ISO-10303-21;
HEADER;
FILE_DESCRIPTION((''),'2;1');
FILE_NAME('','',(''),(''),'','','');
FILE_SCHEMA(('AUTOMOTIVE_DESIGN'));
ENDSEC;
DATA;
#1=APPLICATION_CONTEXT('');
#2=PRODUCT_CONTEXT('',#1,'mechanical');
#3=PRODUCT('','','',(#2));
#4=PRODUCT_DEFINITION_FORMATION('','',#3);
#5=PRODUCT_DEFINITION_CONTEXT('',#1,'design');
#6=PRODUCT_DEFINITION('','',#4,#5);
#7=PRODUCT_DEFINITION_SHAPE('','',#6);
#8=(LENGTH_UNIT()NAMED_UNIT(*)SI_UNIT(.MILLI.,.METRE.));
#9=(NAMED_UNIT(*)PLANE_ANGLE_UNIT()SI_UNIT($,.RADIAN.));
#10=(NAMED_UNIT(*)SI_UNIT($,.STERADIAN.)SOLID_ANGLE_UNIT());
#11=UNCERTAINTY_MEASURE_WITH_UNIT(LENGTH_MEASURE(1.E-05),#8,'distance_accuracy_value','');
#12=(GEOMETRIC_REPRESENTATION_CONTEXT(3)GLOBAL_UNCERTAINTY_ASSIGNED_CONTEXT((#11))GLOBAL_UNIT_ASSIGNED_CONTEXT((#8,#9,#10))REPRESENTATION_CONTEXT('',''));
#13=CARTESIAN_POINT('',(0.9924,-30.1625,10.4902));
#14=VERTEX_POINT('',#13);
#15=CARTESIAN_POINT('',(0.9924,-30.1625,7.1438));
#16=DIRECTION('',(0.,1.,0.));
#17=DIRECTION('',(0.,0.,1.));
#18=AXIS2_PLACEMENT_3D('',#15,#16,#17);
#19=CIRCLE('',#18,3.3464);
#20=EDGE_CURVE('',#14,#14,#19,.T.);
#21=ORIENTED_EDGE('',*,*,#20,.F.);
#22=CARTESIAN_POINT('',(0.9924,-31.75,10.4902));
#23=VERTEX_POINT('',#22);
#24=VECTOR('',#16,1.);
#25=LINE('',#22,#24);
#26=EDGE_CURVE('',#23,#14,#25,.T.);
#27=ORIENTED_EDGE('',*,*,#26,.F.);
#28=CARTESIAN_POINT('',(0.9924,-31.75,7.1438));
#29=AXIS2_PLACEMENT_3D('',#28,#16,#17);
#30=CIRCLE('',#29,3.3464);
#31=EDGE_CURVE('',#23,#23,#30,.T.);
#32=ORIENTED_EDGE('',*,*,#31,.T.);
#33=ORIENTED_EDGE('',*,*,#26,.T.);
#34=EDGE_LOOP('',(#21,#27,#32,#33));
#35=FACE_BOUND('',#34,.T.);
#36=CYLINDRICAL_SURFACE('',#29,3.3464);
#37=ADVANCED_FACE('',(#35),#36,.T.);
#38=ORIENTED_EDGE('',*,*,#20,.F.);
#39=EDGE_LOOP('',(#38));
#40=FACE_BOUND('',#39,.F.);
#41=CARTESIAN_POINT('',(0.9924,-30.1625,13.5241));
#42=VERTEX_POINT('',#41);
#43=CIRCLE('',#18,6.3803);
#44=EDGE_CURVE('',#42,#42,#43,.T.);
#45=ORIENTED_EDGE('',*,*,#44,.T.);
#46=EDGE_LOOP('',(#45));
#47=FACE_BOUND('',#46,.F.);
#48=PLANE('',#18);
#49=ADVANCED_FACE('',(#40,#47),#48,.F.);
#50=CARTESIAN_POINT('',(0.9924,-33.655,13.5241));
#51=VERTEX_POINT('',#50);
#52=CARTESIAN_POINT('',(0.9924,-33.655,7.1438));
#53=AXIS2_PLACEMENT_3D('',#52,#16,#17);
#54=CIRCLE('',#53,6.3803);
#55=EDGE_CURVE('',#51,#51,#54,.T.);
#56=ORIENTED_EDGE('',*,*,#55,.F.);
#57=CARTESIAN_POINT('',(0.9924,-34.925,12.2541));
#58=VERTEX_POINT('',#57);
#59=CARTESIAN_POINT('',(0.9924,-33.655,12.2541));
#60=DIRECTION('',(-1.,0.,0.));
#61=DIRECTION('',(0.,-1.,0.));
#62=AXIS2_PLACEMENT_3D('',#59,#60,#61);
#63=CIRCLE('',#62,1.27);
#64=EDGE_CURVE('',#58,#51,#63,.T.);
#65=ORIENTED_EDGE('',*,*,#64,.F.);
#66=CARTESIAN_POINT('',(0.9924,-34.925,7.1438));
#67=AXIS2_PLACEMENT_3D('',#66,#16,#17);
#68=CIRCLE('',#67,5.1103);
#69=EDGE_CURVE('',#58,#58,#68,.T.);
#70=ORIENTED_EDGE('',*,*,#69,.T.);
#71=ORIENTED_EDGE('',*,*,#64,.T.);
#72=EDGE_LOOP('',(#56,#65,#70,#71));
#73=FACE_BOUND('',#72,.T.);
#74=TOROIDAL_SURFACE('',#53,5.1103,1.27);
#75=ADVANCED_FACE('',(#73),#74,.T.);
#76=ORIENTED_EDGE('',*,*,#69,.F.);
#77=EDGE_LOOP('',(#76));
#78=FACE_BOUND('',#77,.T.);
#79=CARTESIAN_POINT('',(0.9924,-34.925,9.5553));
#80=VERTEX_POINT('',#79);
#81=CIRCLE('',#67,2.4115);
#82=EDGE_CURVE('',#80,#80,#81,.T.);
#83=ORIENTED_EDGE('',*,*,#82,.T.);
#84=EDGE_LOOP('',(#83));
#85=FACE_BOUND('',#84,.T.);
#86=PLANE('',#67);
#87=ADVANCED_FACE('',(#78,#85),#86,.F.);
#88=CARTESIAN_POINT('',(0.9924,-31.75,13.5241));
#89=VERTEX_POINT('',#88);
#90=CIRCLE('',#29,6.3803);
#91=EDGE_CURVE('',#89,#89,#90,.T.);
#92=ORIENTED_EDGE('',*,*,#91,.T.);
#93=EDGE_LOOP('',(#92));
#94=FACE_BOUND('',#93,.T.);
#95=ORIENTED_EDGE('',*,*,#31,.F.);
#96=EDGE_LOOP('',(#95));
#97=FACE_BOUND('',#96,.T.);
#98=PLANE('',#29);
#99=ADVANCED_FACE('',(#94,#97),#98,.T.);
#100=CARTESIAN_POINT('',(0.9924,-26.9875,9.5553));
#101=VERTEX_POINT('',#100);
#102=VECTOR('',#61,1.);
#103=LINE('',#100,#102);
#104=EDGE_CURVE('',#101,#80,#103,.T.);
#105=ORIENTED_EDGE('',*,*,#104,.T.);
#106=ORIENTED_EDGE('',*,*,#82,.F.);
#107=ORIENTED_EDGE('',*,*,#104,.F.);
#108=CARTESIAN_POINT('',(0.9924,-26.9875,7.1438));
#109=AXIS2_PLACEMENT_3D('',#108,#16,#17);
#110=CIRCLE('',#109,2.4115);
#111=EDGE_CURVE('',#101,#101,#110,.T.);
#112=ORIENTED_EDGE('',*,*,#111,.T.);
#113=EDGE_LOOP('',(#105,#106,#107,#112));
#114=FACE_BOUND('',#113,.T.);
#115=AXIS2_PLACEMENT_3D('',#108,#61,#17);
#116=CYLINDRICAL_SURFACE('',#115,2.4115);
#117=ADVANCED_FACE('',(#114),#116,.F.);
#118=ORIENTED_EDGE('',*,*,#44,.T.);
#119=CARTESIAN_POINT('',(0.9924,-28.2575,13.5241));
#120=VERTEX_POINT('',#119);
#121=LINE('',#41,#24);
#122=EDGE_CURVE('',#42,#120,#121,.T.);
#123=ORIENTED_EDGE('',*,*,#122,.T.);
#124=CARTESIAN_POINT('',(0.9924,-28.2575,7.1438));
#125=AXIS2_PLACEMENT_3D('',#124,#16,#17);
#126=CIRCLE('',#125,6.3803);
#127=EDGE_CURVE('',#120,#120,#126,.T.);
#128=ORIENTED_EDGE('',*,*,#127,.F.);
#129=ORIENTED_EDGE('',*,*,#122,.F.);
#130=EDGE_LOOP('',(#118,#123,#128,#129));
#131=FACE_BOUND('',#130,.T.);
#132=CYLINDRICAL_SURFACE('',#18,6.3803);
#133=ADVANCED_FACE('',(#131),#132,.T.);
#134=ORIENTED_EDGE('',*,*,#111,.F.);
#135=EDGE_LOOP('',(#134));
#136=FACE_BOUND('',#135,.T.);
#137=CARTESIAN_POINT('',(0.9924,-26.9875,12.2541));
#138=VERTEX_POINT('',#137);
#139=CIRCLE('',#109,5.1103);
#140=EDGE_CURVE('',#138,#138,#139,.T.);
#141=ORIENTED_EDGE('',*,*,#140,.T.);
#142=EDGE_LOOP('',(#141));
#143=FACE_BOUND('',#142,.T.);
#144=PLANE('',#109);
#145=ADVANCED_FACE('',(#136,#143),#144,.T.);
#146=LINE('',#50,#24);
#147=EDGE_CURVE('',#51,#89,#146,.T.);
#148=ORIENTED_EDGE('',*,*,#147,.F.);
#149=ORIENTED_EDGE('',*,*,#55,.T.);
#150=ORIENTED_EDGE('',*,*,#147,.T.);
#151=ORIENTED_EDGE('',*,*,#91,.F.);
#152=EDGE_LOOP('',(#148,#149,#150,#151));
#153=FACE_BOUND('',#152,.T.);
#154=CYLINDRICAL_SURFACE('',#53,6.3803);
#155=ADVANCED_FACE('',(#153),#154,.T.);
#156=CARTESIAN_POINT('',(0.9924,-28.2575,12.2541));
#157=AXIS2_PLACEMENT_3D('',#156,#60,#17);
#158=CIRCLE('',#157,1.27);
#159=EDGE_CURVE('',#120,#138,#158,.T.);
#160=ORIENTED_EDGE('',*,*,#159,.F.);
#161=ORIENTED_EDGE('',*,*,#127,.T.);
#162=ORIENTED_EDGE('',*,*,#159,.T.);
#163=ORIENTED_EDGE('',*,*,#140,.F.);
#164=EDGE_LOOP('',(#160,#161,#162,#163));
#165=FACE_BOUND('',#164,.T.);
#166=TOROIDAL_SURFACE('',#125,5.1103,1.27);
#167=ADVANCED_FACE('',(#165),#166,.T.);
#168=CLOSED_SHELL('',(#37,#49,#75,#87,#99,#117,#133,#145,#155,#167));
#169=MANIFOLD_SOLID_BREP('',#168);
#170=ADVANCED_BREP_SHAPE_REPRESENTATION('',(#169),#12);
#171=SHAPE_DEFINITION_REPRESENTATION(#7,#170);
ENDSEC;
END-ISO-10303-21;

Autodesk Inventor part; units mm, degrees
ref_plane "YZ Plane" through (0, 0, 0) normal (1, 0, 0) x (0, 1, 0)
ref_plane "XZ Plane" through (0, 0, 0) normal (0, 1, 0) x (-1, 0, 0)
ref_plane "Work Plane2" through (0.9924, -30.1625, 6.35) normal (-1, 0, 0) x (0, -1, 0)
sketch "Sketch2" plane through (0.9924, -30.1625, 6.35) normal (-1, 0, 0) x (0, -1, 0)
  line L0 (0, -5.5563) -> (0, 3.175) projected
  line L1 (1.5875, -7.1437) -> (1.5875, 3.175) projected
  line L2 (0, 7.1741) -> (-1.905, 7.1741)
  line L3 (-3.175, 5.9041) -> (-3.175, 3.2053)
  arc A0 (-1.905, 7.1741) -> (-3.175, 5.9041) centre (-1.905, 5.9041) ccw
  line L4 (12.0631, 0.7938) -> (-37.2001, 0.7938) projected
  line L5 (-3.175, 3.2053) -> (4.7625, 3.2053)
  line L6 (4.7625, 3.2053) -> (4.7625, 5.9041)
  line L7 (3.4925, 7.1741) -> (1.5875, 7.1741)
  arc A1 (4.7625, 5.9041) -> (3.4925, 7.1741) centre (3.4925, 5.9041) ccw
  line L8 (1.5875, 4.1402) -> (0, 4.1402)
  line L9 (0, 7.1741) -> (0, 4.1402)
  line L10 (1.5875, 7.1741) -> (1.5875, 4.1402)
  point P0 (-30.1625, -6.35)
  point P1 (0, 2.5527)
  point P2 (0, 2.0373)
  point P3 (1.5875, 2.5527)
  dimension "d0" = 1.27
  dimension "d2" = 1.27
  dimension "d4" = 3.9688
  dimension "d5" = 7.9375
revolve "Revolution1" add sketch "Sketch2" angle 360 about axis through (0.9924, -20.447, 7.1438) along (0, 1, 0)
ref_plane "Work Plane3" through (0.9924, -30.9563, 7.1438) normal (0, 0, -1) x (0, -1, 0)
properties part number "Pneumatic_VIAIAR_00090_05"
